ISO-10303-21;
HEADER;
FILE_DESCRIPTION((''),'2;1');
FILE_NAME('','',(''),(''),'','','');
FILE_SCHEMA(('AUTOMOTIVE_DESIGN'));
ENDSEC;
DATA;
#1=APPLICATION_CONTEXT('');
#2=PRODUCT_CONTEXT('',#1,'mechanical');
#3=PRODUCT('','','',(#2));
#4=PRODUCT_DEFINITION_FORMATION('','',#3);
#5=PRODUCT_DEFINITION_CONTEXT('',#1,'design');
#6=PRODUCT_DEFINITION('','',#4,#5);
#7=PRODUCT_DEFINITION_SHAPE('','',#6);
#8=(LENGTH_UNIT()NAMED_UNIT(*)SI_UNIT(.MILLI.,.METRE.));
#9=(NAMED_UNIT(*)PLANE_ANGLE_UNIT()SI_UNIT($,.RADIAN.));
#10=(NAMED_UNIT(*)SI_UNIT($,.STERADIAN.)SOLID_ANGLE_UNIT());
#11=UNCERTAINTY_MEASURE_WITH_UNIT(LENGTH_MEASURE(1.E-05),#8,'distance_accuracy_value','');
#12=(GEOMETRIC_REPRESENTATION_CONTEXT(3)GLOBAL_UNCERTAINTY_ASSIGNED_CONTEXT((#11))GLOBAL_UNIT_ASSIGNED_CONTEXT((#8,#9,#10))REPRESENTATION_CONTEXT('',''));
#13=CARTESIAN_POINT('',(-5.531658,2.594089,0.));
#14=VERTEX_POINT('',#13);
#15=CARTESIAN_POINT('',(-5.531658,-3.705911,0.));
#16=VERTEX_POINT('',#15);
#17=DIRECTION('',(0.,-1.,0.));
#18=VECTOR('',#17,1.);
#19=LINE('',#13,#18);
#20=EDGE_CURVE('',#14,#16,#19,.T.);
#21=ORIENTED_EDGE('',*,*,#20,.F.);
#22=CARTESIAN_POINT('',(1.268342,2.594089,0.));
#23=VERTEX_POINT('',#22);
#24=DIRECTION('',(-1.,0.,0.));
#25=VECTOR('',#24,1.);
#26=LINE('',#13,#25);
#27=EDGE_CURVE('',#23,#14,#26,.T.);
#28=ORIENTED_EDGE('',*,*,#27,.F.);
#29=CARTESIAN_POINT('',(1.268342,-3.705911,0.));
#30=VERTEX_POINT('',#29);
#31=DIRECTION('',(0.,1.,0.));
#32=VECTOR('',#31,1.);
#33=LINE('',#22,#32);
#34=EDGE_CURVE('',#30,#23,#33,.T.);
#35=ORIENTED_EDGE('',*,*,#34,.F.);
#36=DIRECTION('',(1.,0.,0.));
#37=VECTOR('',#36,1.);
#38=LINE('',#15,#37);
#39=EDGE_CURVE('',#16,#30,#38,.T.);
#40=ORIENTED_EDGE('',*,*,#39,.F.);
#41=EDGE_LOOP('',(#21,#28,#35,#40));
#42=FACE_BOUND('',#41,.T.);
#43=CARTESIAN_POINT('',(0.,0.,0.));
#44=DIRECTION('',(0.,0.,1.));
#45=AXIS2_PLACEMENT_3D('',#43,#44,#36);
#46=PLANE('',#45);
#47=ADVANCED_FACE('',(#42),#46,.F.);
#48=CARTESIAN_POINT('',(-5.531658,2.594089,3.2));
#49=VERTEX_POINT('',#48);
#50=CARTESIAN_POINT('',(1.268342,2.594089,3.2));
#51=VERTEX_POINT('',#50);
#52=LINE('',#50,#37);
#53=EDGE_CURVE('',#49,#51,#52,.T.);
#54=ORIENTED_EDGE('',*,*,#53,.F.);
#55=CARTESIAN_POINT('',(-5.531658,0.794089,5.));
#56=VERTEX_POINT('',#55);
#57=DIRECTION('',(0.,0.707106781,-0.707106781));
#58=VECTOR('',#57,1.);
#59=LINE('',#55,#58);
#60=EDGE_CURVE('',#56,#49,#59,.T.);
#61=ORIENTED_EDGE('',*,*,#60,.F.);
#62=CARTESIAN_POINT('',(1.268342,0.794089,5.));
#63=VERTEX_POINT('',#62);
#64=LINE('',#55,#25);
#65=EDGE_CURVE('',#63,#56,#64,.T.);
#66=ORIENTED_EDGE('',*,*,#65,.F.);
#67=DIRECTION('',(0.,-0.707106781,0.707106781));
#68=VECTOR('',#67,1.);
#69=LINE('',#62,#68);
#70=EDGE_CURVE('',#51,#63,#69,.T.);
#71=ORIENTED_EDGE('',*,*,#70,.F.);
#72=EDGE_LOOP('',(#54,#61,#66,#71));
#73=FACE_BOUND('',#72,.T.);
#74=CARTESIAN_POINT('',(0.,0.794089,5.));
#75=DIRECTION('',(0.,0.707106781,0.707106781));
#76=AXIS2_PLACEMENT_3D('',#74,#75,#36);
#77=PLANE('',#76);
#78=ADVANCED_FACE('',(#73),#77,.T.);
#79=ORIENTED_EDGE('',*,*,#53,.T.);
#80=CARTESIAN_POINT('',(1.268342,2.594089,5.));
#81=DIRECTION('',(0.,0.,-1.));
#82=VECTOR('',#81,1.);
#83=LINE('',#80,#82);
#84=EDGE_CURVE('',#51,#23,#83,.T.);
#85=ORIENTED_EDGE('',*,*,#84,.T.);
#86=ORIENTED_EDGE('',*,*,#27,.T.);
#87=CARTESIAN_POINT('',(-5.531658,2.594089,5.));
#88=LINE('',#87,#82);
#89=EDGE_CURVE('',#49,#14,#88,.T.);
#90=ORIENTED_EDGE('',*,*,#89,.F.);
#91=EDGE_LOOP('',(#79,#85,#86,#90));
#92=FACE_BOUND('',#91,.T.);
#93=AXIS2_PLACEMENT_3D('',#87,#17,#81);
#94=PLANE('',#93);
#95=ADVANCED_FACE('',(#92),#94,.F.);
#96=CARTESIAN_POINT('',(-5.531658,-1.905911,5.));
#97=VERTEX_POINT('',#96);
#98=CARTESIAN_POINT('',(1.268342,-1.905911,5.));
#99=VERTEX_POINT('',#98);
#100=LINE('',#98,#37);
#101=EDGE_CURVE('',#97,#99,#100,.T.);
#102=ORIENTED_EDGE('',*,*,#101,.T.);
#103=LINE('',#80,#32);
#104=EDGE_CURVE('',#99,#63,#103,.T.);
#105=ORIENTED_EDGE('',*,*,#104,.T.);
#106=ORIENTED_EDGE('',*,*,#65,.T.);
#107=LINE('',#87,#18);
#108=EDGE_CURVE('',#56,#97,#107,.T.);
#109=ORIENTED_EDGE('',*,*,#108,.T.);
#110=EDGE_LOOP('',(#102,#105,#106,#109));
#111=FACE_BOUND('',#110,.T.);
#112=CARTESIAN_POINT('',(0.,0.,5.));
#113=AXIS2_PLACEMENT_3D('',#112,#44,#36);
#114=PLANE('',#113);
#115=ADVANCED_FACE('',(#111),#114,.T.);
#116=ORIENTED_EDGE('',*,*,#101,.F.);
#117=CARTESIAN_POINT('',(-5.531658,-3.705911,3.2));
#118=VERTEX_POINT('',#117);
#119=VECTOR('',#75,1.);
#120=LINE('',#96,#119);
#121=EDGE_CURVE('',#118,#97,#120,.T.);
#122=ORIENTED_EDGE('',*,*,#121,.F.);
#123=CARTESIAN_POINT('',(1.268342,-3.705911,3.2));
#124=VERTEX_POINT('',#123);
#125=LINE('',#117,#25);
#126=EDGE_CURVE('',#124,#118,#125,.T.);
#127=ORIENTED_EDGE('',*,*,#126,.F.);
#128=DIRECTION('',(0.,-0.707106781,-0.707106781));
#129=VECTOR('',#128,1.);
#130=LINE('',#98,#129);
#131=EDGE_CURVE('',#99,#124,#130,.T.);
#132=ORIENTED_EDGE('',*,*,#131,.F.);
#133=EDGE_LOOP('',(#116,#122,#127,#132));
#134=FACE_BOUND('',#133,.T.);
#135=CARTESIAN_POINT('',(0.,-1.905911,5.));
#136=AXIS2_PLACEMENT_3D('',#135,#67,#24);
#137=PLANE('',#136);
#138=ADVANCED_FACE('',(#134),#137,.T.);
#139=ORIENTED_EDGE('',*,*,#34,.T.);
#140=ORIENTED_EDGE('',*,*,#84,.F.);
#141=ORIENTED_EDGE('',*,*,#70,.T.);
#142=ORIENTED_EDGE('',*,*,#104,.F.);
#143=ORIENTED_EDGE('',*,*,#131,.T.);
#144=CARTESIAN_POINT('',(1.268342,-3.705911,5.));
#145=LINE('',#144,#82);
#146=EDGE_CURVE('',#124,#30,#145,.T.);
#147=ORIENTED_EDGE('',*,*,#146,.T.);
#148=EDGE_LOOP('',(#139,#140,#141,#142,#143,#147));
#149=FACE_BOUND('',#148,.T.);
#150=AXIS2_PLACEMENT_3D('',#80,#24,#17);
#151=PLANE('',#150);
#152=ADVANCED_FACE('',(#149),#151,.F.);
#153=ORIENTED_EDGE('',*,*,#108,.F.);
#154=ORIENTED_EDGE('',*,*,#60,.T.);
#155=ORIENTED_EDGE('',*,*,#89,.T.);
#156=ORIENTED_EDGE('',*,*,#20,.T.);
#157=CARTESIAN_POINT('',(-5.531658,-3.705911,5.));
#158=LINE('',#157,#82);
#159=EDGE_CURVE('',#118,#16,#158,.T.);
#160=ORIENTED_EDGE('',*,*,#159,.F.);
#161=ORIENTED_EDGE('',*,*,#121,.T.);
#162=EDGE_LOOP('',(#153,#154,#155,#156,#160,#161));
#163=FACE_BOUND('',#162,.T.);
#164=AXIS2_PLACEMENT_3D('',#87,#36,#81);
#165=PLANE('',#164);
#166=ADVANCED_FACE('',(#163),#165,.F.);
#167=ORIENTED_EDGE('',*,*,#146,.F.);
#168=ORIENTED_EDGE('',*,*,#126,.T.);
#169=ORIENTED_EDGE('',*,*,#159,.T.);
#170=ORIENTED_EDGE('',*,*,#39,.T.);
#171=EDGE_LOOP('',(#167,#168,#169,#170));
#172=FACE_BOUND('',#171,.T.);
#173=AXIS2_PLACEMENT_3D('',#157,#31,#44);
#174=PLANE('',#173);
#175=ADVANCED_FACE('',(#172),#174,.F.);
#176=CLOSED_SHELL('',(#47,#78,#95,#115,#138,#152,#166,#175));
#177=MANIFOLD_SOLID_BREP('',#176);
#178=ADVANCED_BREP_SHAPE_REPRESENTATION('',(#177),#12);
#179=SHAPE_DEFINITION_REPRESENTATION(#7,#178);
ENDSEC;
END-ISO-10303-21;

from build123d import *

# Parameters (mm, degrees)
SKETCH_1_W      = 6.8
SKETCH_1_H      = 6.3
EXTRUDE_1_DEPTH = 5
CHAMFER_1_SIZE  = 1.8


with BuildPart() as part:
    # 草图1 → 凸台-拉伸1 (new body)
    with BuildSketch(Plane.XY):
        with Locations((-2.131657577, -0.555911138)):
            Rectangle(SKETCH_1_W, SKETCH_1_H)
    extrude(amount=EXTRUDE_1_DEPTH)

    # 倒角1
    chamfer_1_edges = [part.edges().sort_by_distance(p)[0] for p in [
        (-2.131657577, 2.594088862, 5),
        (-2.131657577, -3.705911138, 5),
    ]]
    chamfer(chamfer_1_edges, length=CHAMFER_1_SIZE)


solid = part.part
